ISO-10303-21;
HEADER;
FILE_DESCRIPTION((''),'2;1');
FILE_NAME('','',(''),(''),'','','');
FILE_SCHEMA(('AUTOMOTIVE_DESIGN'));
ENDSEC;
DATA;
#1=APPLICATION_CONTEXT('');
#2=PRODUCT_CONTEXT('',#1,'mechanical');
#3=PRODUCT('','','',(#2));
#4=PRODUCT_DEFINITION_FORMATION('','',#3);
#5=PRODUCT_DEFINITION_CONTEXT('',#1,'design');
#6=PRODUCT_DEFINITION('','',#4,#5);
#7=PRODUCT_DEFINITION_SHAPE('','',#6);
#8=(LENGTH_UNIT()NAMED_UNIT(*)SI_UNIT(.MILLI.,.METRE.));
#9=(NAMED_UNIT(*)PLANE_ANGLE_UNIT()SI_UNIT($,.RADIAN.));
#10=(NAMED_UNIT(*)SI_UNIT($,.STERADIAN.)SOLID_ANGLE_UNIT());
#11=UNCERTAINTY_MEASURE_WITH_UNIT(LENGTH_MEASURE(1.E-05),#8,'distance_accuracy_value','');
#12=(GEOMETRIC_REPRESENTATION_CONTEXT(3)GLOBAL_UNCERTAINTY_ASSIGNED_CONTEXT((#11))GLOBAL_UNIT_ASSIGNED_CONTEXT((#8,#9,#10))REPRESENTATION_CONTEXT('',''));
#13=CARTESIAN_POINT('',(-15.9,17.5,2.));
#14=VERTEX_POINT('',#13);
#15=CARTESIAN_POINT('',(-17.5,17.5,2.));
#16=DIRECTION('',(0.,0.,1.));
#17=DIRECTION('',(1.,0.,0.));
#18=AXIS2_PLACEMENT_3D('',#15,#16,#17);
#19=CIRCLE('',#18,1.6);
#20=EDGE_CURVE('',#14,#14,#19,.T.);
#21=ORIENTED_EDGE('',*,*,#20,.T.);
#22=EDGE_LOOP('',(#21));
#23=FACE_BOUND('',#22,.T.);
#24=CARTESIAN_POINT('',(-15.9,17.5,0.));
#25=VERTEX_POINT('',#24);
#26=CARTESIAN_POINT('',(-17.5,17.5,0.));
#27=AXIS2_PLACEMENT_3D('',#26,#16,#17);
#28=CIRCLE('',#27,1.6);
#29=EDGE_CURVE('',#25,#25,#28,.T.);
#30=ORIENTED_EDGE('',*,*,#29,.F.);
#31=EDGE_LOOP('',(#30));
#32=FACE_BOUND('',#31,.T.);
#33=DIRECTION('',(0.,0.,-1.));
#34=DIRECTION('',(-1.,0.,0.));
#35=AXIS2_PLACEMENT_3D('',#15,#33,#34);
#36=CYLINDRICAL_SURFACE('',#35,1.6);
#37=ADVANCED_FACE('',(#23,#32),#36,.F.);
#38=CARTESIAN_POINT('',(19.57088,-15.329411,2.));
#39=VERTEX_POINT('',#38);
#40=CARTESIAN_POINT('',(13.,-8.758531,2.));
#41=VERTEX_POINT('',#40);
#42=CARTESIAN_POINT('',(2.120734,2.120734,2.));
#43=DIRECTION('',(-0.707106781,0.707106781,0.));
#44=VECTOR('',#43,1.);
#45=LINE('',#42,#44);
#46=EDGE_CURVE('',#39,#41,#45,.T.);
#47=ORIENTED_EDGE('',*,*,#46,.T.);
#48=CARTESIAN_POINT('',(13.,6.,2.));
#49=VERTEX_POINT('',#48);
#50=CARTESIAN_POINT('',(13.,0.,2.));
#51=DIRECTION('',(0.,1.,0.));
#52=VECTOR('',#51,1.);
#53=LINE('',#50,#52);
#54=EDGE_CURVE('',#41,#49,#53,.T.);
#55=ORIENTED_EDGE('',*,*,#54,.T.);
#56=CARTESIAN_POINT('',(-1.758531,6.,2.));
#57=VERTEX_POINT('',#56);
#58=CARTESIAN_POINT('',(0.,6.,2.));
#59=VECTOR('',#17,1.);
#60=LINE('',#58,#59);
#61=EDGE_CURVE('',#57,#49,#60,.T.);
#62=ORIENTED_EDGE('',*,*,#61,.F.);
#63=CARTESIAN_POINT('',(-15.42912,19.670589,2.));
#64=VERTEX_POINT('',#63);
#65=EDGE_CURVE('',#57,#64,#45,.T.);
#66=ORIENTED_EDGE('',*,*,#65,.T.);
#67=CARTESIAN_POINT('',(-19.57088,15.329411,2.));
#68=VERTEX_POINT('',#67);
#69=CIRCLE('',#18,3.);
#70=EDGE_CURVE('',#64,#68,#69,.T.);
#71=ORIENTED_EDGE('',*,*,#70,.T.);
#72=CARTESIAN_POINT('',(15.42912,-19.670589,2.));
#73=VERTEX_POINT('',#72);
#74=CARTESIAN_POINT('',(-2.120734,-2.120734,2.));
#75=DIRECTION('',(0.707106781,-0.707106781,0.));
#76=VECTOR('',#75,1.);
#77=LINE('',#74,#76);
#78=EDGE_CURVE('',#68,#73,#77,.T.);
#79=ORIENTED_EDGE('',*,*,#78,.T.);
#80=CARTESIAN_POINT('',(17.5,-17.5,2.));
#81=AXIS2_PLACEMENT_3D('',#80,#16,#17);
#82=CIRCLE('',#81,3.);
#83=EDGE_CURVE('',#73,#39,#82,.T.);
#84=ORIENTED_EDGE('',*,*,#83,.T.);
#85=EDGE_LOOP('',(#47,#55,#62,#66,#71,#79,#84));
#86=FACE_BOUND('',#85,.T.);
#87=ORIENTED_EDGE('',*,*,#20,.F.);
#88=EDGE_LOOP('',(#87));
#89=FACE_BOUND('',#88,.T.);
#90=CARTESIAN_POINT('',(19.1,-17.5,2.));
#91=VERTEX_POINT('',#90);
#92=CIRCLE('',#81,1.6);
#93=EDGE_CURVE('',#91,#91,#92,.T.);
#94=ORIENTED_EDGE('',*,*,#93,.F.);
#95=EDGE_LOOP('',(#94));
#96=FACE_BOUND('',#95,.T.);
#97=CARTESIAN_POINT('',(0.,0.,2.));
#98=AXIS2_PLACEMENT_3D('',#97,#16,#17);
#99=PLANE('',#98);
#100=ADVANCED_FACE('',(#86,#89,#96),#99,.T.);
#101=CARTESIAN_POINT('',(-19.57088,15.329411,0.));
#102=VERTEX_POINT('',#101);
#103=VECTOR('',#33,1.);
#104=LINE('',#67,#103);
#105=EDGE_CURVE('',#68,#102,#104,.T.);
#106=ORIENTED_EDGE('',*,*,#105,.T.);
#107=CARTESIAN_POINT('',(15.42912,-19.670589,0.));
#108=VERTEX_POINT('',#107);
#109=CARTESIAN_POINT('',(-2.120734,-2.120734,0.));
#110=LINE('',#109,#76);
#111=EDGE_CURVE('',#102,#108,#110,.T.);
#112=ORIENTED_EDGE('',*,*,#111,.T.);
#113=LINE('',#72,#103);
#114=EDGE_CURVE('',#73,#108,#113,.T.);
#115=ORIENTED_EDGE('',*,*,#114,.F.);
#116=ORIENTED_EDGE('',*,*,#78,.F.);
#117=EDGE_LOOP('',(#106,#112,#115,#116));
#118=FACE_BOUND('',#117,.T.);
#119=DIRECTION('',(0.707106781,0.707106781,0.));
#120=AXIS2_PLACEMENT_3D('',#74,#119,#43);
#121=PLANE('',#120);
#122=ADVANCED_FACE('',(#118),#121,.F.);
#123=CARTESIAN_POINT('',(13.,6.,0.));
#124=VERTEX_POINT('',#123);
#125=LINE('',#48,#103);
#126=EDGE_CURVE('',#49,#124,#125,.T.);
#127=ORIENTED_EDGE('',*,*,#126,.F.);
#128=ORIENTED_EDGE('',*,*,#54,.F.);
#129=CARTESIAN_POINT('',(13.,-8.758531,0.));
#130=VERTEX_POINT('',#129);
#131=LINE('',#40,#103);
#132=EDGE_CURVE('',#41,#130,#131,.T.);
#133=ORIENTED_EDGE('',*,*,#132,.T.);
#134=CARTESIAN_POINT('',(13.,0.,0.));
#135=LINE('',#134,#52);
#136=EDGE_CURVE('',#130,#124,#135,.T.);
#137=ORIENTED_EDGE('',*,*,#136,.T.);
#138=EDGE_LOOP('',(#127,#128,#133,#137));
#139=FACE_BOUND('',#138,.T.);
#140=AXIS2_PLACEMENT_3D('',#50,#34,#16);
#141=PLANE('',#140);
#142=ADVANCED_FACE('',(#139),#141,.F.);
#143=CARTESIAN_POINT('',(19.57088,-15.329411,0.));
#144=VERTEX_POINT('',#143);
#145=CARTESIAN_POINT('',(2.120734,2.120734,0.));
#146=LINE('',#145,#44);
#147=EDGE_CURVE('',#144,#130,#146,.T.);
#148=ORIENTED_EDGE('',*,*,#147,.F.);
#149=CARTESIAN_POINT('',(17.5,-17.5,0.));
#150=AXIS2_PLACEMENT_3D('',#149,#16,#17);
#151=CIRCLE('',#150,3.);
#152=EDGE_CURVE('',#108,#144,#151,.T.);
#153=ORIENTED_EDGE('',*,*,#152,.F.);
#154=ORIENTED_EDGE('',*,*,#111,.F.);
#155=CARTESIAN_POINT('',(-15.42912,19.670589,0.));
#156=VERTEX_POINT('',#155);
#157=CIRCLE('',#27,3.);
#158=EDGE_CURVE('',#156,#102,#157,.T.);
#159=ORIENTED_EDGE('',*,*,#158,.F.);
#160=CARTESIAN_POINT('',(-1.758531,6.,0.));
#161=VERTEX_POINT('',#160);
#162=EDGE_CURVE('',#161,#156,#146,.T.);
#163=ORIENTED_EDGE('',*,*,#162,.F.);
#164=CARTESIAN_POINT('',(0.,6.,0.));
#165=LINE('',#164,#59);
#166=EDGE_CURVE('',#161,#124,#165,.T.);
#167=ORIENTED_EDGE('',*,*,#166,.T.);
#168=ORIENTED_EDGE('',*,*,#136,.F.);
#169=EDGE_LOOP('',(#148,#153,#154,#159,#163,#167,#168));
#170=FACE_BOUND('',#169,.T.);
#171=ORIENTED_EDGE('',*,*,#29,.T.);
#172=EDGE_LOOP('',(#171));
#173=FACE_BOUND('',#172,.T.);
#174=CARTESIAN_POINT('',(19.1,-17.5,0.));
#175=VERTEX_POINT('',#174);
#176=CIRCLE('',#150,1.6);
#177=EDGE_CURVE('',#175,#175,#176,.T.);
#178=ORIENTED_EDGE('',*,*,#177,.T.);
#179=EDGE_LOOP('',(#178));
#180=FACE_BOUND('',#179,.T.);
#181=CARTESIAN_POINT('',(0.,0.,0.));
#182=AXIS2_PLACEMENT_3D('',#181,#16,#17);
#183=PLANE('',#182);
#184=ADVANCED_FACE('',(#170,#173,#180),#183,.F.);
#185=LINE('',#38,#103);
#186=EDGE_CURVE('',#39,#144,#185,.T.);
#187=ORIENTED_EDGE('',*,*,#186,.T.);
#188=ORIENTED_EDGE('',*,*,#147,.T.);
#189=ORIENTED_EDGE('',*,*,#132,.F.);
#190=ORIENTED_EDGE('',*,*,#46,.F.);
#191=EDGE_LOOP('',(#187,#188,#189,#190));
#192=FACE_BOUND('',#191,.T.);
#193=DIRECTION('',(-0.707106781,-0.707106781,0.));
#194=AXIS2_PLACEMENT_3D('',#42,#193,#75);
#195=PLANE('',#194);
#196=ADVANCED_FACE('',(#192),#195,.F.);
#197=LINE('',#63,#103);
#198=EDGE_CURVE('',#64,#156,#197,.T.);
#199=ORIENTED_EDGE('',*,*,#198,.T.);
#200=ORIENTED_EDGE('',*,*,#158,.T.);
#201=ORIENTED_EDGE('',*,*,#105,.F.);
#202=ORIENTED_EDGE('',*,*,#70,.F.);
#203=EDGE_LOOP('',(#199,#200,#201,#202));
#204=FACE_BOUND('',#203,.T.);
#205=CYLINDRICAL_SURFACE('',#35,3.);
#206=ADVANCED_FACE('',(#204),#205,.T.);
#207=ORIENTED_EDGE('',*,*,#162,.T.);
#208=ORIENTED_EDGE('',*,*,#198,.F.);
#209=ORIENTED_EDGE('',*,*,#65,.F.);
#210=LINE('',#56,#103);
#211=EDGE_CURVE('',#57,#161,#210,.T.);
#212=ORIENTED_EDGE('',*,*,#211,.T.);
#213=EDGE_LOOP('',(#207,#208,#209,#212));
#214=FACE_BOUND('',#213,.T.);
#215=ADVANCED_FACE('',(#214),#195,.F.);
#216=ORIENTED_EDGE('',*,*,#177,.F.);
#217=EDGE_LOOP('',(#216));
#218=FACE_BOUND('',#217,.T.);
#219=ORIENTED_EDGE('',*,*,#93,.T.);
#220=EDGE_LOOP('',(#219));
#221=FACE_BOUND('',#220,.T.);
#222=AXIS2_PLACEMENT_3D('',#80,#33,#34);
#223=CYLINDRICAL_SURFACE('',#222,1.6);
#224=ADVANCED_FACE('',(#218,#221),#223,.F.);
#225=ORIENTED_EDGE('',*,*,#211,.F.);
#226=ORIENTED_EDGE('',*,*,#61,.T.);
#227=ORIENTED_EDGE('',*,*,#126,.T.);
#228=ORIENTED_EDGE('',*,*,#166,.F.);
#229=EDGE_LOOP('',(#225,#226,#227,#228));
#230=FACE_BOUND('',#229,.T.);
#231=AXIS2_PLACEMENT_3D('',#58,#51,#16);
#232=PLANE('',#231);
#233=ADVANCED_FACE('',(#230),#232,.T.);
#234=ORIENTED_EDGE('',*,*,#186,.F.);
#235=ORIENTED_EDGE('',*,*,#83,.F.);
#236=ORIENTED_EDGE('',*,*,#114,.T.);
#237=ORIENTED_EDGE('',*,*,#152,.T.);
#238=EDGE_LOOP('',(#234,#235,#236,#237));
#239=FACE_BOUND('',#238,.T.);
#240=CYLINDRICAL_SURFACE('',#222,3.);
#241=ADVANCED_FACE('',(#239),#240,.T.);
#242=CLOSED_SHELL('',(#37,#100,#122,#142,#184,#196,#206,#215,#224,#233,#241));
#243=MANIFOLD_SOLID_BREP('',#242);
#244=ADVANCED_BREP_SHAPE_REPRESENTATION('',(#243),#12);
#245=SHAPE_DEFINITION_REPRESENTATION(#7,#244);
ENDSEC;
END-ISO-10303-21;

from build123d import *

# Parameters (mm, degrees)
SKETCH_1_R      = 1.6
EXTRUDE_1_DEPTH = 2


with BuildPart() as part:
    # Эскиз1 → Бобышка-Вытянуть1 (new body)
    with BuildSketch(Plane.XY):
        with BuildLine():
            Line((0, -4.241468847), (2.758531153, -7))
            Line((2.758531153, -7), (15.329410732, -19.570879578))
            Line((15.329410732, -19.570879578), (15.429120422, -19.670589268))
            ThreePointArc((15.429120422, -19.670589268), (19.670589268, -19.570879578), (19.570879578, -15.329410732))
            Line((19.570879578, -15.329410732), (13, -8.758531153))
            Line((13, -8.758531153), (13, 6))
            Line((13, 6), (-1.758531153, 6))
            Line((-1.758531153, 6), (-15.329410732, 19.570879578))
            Line((-15.329410732, 19.570879578), (-15.429120422, 19.670589268))
            ThreePointArc((-15.429120422, 19.670589268), (-19.670589268, 19.570879578), (-19.570879578, 15.329410732))
            Line((-19.570879578, 15.329410732), (0, -4.241468847))
        make_face()
        with Locations((17.5, -17.5)):
            Circle(SKETCH_1_R, mode=Mode.SUBTRACT)
        with Locations((-17.5, 17.5)):
            Circle(SKETCH_1_R, mode=Mode.SUBTRACT)
    extrude(amount=EXTRUDE_1_DEPTH)


solid = part.part
